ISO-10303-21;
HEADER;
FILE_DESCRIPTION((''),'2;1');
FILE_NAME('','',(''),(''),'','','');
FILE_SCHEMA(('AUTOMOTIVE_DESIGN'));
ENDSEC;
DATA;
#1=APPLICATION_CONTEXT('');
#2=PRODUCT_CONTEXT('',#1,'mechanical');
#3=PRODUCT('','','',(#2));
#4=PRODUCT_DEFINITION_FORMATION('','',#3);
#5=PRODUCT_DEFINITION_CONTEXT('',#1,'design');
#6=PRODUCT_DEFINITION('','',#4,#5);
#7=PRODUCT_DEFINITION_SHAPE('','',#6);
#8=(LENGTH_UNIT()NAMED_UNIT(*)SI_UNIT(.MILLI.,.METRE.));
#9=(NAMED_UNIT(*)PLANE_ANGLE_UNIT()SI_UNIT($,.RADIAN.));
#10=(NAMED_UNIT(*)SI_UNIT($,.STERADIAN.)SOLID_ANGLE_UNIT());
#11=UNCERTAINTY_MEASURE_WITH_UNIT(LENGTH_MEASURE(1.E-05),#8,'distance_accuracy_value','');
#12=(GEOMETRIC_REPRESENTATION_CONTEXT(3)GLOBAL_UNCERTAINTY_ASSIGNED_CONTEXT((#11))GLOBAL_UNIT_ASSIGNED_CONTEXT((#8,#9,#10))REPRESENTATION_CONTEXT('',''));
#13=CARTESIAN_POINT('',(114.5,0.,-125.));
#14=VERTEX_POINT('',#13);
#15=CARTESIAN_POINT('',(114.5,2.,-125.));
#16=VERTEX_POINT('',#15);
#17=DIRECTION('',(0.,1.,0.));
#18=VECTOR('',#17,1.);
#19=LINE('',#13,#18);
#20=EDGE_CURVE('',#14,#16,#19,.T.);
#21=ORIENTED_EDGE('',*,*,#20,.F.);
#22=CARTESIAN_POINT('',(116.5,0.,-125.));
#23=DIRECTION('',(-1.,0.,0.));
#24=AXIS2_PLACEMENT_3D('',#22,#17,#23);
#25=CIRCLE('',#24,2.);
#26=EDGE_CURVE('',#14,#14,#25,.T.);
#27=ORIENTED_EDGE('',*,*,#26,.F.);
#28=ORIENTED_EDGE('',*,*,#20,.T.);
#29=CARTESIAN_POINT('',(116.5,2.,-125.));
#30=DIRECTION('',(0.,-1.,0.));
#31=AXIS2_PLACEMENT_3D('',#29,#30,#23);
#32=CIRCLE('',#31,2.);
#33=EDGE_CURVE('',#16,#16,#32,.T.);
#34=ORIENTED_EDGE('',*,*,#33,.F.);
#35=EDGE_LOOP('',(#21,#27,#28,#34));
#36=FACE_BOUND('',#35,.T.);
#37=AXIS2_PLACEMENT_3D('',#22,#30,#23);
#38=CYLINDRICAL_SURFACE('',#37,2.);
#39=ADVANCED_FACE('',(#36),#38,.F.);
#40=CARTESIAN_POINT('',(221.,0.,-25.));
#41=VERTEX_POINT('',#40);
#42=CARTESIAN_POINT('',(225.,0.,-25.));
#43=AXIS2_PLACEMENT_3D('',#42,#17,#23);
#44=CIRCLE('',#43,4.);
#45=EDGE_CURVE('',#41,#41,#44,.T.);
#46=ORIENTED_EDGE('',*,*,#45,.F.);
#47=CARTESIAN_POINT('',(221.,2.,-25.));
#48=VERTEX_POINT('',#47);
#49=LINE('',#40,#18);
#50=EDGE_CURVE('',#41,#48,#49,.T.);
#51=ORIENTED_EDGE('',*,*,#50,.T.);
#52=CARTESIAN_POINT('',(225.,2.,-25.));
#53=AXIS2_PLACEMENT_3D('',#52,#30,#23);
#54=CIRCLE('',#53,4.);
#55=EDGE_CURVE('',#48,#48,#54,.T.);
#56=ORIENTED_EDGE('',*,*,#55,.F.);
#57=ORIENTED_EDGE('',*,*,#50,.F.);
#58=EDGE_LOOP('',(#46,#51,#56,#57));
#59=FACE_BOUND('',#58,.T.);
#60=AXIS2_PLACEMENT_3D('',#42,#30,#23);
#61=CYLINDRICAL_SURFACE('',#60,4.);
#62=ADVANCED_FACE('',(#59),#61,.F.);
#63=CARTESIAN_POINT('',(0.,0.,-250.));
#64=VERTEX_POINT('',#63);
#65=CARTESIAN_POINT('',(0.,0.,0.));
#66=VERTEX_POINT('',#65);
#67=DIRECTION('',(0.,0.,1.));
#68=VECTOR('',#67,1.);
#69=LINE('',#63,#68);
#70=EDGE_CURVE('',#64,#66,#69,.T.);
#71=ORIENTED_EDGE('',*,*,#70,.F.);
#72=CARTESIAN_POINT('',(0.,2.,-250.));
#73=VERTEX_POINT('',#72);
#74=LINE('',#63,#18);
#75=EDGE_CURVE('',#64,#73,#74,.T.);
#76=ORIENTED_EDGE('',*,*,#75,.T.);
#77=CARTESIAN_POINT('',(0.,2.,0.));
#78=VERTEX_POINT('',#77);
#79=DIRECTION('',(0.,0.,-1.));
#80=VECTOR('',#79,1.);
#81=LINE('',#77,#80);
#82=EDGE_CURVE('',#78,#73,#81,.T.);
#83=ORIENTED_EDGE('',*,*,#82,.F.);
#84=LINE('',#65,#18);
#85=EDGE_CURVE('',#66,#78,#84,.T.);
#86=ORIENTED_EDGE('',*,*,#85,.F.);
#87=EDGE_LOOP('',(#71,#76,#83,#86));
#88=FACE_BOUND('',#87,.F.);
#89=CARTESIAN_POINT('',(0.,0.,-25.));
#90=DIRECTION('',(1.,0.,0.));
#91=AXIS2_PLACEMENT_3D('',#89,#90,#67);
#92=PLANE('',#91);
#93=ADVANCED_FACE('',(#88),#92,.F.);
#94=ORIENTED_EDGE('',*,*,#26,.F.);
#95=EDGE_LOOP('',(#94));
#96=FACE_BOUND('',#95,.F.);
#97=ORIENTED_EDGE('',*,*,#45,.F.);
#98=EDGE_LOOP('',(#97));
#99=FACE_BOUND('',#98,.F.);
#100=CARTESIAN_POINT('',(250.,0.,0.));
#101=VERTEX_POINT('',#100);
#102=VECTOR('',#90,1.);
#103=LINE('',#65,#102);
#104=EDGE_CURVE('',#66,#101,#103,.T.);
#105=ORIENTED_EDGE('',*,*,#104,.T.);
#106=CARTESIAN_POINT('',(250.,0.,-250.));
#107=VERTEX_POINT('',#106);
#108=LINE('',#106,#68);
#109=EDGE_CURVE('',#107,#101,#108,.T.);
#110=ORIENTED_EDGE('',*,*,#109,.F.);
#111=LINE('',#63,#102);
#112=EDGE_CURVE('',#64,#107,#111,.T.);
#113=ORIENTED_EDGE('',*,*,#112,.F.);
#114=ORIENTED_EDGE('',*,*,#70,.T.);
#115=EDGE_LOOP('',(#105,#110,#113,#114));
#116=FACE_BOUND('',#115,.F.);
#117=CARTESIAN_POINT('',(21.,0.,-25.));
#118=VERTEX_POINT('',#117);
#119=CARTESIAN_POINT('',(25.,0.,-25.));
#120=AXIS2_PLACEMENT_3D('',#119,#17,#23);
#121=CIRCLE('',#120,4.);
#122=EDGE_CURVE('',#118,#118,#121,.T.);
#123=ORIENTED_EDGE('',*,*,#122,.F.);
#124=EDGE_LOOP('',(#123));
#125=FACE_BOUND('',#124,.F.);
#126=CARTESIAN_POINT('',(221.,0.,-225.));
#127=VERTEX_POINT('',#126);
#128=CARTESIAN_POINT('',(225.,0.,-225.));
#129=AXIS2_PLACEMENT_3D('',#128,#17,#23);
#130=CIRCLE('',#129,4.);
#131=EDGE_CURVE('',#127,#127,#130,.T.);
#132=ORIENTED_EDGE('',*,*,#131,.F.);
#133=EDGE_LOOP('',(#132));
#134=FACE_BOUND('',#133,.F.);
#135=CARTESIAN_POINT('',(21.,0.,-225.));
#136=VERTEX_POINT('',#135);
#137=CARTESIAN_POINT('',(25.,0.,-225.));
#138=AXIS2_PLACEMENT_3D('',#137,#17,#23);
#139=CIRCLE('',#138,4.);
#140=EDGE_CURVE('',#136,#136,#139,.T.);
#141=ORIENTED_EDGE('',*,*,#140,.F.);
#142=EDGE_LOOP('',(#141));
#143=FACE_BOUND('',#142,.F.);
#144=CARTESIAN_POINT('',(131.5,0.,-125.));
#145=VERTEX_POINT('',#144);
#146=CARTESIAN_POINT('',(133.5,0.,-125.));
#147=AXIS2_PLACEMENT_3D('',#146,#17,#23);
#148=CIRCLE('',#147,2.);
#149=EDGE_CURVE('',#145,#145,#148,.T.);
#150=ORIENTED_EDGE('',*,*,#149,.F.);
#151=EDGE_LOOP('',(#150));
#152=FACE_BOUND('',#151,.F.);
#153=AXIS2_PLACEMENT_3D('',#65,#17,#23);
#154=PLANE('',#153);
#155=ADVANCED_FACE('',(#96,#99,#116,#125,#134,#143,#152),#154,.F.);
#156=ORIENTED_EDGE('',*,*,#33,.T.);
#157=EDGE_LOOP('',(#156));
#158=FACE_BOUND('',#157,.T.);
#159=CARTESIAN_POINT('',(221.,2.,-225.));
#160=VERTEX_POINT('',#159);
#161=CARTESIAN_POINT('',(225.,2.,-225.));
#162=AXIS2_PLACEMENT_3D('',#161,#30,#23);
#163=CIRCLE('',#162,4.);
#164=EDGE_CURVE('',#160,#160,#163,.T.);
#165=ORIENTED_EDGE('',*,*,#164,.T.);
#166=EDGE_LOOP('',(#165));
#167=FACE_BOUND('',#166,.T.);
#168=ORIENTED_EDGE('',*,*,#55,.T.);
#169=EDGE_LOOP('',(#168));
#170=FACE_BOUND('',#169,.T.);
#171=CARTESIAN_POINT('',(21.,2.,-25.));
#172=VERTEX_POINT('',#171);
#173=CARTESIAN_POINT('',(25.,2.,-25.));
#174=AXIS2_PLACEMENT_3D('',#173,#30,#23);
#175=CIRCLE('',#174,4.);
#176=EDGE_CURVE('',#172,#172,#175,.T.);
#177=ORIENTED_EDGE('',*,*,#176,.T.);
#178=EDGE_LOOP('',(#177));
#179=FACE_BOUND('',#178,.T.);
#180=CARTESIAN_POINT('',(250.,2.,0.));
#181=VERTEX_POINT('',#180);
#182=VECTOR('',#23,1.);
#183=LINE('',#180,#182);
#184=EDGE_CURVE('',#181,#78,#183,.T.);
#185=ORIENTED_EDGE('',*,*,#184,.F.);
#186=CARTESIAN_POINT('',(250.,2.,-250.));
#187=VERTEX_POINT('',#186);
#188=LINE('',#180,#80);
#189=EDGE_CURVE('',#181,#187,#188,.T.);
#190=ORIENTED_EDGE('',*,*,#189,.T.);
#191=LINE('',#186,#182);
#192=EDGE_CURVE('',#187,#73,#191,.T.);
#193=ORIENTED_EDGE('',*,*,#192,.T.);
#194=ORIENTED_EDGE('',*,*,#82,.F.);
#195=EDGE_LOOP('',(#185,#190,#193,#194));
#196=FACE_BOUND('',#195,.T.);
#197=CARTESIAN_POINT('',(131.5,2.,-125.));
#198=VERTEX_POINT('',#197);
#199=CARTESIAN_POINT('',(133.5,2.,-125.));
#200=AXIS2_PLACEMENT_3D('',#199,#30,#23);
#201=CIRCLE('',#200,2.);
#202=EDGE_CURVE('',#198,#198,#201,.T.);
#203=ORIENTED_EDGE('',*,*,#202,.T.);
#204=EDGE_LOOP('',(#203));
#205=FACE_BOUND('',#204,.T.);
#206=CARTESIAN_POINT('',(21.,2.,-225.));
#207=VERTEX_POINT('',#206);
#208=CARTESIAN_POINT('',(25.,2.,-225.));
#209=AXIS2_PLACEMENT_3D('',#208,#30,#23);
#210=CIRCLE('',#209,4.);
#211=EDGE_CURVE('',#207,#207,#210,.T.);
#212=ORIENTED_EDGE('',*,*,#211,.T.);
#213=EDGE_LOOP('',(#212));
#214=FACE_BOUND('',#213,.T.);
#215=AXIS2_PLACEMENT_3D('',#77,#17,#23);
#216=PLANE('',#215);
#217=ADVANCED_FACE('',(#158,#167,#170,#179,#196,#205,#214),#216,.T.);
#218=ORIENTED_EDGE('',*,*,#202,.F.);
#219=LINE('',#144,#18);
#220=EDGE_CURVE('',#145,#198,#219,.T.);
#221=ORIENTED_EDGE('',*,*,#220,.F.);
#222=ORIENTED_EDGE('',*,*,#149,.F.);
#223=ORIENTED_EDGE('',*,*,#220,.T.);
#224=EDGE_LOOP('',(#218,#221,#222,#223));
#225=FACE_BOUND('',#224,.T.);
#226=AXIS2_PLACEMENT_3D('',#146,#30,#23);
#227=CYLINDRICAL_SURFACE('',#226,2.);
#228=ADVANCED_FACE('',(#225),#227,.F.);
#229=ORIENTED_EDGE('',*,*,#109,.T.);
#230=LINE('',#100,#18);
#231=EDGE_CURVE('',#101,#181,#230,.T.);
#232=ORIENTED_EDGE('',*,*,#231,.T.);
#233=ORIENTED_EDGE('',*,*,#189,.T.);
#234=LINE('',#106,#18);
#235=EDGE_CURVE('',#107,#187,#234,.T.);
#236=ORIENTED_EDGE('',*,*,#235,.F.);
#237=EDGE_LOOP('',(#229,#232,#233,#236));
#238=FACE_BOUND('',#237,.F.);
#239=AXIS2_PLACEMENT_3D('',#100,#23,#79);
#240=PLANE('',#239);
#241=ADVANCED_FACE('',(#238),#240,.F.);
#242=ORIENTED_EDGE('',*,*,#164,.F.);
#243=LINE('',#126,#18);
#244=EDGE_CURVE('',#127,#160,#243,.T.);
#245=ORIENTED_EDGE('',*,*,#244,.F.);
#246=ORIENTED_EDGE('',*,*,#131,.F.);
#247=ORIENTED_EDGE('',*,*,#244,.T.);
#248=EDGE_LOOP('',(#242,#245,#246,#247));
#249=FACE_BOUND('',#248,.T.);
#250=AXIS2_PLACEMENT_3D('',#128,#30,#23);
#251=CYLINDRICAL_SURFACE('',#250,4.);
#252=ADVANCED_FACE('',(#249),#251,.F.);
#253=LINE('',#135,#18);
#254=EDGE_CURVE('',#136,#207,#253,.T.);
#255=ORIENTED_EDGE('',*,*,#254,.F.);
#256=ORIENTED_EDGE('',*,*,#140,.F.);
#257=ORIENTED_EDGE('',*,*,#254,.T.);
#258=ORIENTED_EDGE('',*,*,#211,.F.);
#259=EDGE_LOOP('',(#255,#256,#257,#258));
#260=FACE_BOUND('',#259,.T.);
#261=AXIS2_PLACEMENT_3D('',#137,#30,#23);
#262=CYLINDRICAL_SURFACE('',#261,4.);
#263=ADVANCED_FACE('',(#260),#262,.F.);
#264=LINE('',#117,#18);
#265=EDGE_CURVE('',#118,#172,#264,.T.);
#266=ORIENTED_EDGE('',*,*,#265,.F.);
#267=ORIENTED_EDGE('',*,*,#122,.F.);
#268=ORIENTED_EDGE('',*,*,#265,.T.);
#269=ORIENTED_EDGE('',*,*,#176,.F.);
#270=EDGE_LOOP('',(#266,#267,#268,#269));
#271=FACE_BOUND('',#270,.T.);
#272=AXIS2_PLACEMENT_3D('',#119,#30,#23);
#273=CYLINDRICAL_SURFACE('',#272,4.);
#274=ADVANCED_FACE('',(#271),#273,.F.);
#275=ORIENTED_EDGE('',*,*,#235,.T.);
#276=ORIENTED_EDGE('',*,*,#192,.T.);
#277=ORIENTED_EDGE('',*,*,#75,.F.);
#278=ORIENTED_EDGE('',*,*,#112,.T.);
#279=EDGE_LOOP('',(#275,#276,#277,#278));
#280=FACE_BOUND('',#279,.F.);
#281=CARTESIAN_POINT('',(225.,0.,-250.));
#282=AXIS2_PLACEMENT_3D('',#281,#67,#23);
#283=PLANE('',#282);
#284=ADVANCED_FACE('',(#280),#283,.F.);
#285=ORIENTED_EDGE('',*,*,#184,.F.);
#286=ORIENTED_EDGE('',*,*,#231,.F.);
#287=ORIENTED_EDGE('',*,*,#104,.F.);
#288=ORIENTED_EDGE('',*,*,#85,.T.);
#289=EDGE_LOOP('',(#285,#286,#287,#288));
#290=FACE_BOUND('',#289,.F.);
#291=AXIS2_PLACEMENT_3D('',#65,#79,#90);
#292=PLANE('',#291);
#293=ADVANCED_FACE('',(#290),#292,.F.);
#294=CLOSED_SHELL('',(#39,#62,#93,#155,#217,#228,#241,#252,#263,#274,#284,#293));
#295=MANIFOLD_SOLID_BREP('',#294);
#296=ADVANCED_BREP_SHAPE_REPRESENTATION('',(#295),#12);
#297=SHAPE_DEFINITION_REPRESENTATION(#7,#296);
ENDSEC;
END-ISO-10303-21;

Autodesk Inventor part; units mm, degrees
ref_plane "YZ Plane" through (0, 0, 0) normal (1, 0, 0) x (0, 1, 0)
ref_plane "XZ Plane" through (0, 0, 0) normal (0, 1, 0) x (-1, 0, 0)
ref_plane "XY Plane" through (0, 0, 0) normal (0, 0, 1) x (1, 0, 0)
sketch "Эскиз1" plane through (0, 0, 0) normal (0, 1, 0) x (-1, 0, 0)
  line L0 (0, 0) -> (-250, 0)
  line L1 (-250, 0) -> (-250, -250)
  line L2 (-250, -250) -> (0, -250)
  line L3 (0, -250) -> (0, 0)
  line L4 (0, 0) -> (-25, 0)
  line L5 (-25, 0) -> (-25, -25)
  line L6 (-25, -25) -> (0, -25)
  line L7 (0, -25) -> (0, 0)
  line L8 (-250, -250) -> (-225, -250)
  line L9 (-225, -250) -> (-225, -225)
  line L10 (-225, -225) -> (-250, -225)
  line L11 (-250, -225) -> (-250, -250)
  line L12 (-225, -225) -> (-25, -225)
  line L13 (-25, -225) -> (-25, -25)
  line L14 (-25, -25) -> (-225, -25)
  line L15 (-225, -25) -> (-225, -225)
  circle A0 centre (-25, -25) radius 4
  circle A1 centre (-25, -225) radius 4
  circle A2 centre (-225, -25) radius 4
  circle A3 centre (-225, -225) radius 4
  line L16 (-250, -125) -> (0, -125)
  line L17 (-125, -125) -> (-116.5, -125)
  line L18 (-116.5, -125) -> (-133.5, -125)
  circle A4 centre (-116.5, -125) radius 2
  circle A5 centre (-133.5, -125) radius 2
  dimension "d0" = 250
  dimension "d1" = 250
  dimension "d2" = 25
  dimension "d3" = 25
  dimension "d4" = 25
  dimension "d5" = 25
  dimension "d6" = 8
  dimension "d7" = 8
  dimension "d8" = 8
  dimension "d9" = 8
  dimension "d10" = 8.5
  dimension "d11" = 17
  dimension "d12" = 4
  dimension "d13" = 4
extrude "Выдавливание1" add sketch "Эскиз1" along normal blind 2 contours L3 L6 A0 L5 L0 | L5 A0 L14 A2 L15 L16 L1 L0 | L3 L16 L13 A0 L6 | L3 L2 L9 A3 L12 A1 L13 L16 | L16 L15 A3 L10 L1 | A0 L13 L16 A4 A5 L15 A2 L14 | L13 A1 L12 A3 L15 L16 A5 A4 | L10 A3 L9 L2 L1
properties part number "Пластина"
